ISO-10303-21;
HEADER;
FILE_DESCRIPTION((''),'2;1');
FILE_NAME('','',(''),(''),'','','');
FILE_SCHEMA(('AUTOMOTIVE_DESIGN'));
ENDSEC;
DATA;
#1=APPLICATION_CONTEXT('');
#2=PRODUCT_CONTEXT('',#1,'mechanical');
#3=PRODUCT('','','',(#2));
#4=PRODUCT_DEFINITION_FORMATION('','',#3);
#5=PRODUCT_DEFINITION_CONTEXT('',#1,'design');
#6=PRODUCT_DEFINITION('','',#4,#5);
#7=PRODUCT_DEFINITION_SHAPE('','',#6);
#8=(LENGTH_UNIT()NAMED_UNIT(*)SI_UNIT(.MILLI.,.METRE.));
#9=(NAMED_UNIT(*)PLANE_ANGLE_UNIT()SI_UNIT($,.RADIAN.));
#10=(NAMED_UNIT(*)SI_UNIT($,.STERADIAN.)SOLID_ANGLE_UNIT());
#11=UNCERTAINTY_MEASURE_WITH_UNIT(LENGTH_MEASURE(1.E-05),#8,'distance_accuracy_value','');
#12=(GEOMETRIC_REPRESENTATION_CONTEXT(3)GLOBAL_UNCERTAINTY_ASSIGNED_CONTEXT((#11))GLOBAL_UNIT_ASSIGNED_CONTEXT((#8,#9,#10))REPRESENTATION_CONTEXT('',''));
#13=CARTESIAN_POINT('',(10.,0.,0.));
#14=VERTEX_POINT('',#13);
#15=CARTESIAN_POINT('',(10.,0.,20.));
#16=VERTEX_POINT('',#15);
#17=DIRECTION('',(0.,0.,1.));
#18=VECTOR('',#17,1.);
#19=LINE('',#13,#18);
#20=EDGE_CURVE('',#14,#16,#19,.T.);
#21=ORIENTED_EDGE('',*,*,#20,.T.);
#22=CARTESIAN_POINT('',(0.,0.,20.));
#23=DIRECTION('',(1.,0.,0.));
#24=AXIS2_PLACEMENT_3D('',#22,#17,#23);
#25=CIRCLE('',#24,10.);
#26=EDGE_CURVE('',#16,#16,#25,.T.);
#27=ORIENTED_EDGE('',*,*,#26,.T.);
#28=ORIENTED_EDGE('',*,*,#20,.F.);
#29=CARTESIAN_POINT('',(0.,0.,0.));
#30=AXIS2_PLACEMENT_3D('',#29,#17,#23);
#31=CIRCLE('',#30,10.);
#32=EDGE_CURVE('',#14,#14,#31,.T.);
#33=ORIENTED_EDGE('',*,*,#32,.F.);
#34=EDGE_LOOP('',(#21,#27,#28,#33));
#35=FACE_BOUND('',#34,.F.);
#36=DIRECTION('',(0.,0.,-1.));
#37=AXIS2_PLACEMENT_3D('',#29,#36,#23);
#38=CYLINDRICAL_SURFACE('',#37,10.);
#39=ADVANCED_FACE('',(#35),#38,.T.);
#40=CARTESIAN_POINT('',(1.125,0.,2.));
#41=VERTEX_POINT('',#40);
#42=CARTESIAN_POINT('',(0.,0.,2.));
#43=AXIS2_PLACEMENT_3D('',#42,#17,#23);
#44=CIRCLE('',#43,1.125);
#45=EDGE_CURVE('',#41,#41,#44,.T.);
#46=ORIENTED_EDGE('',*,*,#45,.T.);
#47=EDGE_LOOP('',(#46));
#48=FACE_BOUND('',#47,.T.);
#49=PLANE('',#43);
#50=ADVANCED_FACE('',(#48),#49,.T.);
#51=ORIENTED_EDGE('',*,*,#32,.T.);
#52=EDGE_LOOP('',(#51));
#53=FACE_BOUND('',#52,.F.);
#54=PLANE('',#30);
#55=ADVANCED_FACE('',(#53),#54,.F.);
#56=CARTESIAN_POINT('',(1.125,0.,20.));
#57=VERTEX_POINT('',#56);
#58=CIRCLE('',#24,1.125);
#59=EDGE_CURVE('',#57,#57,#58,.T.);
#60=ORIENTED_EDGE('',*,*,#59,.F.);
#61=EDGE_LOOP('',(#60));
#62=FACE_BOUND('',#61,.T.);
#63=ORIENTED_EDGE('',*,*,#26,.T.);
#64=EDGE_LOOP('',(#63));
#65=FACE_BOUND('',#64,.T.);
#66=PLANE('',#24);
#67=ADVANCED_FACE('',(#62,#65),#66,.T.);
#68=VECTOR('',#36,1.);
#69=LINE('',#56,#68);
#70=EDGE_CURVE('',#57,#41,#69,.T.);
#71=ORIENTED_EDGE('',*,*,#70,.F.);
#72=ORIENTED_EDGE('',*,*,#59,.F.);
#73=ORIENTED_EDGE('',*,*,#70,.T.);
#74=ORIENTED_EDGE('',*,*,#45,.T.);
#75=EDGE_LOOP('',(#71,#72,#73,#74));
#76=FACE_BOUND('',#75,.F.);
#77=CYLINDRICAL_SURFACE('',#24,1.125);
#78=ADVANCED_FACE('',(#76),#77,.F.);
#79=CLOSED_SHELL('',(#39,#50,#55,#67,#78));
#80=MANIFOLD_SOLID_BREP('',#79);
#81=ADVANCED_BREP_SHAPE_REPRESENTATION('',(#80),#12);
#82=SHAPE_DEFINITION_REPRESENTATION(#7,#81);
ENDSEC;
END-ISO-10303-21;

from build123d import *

# Parameters (mm, degrees)
SKETCH_R     = 10
PAD_DEPTH    = 20
SKETCH001_R  = 1.125
POCKET_DEPTH = 18


with BuildPart() as part:
    # Sketch → Pad (new body)
    with BuildSketch(Plane.XY):
        Circle(SKETCH_R)
    extrude(amount=PAD_DEPTH)

    # Sketch001 (on Face3 of Pad) → Pocket (cut)
    with BuildSketch(Plane.XY.offset(20)):
        Circle(SKETCH001_R)
    extrude(amount=-POCKET_DEPTH, mode=Mode.SUBTRACT)


solid = part.part
